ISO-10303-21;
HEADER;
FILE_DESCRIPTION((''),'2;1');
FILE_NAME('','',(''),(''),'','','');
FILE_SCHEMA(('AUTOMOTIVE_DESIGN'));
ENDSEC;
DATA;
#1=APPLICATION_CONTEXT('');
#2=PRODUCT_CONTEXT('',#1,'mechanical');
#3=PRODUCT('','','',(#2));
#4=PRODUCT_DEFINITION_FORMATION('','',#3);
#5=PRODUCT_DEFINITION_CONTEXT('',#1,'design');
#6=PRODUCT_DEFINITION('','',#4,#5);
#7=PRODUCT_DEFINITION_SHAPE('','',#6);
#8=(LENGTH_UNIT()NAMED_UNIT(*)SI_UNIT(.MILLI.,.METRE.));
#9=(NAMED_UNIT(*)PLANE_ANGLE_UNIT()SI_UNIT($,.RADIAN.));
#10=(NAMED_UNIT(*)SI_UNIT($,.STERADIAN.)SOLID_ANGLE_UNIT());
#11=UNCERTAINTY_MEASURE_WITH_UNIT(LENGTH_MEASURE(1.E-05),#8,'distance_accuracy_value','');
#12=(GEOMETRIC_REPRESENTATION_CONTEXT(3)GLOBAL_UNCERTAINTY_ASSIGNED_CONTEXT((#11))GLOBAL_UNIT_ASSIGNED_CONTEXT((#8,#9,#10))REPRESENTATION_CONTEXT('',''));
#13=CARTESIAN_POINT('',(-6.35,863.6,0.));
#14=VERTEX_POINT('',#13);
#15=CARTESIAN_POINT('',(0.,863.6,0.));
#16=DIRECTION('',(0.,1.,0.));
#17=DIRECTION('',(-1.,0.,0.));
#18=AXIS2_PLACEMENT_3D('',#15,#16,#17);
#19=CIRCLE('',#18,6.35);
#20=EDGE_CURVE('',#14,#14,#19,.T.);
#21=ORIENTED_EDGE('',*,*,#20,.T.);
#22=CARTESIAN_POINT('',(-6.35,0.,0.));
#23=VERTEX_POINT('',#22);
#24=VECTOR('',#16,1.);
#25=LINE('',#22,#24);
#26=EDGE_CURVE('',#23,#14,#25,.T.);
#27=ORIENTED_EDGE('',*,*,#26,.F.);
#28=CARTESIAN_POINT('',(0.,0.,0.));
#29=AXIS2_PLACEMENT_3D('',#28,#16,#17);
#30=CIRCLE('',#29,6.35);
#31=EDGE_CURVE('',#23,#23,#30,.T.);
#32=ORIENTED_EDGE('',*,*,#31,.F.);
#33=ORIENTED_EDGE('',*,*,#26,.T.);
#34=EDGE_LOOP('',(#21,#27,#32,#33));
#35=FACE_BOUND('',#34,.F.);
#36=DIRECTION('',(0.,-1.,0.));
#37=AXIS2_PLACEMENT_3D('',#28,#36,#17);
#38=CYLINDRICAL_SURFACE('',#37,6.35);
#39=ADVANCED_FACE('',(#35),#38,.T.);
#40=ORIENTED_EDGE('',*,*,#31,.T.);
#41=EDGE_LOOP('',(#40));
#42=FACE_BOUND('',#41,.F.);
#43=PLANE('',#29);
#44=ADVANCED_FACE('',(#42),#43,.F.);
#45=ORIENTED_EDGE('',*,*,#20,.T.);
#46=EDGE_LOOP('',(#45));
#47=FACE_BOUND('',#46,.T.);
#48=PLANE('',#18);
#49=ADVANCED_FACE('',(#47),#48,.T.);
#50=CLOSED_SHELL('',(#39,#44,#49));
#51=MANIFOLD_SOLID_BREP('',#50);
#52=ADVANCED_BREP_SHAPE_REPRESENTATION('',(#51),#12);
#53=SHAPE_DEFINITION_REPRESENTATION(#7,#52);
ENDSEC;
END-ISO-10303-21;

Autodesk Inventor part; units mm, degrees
ref_plane "YZ Plane" through (0, 0, 0) normal (1, 0, 0) x (0, 1, 0)
ref_plane "XZ Plane" through (0, 0, 0) normal (0, 1, 0) x (-1, 0, 0)
ref_plane "XY Plane" through (0, 0, 0) normal (0, 0, 1) x (1, 0, 0)
sketch "Sketch1" plane through (0, 0, 0) normal (0, 1, 0) x (-1, 0, 0)
  circle A0 centre (0, 0) radius 6.35
  dimension "d0" = 12.7
extrude "Extrusion1" add sketch "Sketch1" along normal blind 863.6
properties part number "Rebar_With_Length_Of_38_Inches" material "Steel"
